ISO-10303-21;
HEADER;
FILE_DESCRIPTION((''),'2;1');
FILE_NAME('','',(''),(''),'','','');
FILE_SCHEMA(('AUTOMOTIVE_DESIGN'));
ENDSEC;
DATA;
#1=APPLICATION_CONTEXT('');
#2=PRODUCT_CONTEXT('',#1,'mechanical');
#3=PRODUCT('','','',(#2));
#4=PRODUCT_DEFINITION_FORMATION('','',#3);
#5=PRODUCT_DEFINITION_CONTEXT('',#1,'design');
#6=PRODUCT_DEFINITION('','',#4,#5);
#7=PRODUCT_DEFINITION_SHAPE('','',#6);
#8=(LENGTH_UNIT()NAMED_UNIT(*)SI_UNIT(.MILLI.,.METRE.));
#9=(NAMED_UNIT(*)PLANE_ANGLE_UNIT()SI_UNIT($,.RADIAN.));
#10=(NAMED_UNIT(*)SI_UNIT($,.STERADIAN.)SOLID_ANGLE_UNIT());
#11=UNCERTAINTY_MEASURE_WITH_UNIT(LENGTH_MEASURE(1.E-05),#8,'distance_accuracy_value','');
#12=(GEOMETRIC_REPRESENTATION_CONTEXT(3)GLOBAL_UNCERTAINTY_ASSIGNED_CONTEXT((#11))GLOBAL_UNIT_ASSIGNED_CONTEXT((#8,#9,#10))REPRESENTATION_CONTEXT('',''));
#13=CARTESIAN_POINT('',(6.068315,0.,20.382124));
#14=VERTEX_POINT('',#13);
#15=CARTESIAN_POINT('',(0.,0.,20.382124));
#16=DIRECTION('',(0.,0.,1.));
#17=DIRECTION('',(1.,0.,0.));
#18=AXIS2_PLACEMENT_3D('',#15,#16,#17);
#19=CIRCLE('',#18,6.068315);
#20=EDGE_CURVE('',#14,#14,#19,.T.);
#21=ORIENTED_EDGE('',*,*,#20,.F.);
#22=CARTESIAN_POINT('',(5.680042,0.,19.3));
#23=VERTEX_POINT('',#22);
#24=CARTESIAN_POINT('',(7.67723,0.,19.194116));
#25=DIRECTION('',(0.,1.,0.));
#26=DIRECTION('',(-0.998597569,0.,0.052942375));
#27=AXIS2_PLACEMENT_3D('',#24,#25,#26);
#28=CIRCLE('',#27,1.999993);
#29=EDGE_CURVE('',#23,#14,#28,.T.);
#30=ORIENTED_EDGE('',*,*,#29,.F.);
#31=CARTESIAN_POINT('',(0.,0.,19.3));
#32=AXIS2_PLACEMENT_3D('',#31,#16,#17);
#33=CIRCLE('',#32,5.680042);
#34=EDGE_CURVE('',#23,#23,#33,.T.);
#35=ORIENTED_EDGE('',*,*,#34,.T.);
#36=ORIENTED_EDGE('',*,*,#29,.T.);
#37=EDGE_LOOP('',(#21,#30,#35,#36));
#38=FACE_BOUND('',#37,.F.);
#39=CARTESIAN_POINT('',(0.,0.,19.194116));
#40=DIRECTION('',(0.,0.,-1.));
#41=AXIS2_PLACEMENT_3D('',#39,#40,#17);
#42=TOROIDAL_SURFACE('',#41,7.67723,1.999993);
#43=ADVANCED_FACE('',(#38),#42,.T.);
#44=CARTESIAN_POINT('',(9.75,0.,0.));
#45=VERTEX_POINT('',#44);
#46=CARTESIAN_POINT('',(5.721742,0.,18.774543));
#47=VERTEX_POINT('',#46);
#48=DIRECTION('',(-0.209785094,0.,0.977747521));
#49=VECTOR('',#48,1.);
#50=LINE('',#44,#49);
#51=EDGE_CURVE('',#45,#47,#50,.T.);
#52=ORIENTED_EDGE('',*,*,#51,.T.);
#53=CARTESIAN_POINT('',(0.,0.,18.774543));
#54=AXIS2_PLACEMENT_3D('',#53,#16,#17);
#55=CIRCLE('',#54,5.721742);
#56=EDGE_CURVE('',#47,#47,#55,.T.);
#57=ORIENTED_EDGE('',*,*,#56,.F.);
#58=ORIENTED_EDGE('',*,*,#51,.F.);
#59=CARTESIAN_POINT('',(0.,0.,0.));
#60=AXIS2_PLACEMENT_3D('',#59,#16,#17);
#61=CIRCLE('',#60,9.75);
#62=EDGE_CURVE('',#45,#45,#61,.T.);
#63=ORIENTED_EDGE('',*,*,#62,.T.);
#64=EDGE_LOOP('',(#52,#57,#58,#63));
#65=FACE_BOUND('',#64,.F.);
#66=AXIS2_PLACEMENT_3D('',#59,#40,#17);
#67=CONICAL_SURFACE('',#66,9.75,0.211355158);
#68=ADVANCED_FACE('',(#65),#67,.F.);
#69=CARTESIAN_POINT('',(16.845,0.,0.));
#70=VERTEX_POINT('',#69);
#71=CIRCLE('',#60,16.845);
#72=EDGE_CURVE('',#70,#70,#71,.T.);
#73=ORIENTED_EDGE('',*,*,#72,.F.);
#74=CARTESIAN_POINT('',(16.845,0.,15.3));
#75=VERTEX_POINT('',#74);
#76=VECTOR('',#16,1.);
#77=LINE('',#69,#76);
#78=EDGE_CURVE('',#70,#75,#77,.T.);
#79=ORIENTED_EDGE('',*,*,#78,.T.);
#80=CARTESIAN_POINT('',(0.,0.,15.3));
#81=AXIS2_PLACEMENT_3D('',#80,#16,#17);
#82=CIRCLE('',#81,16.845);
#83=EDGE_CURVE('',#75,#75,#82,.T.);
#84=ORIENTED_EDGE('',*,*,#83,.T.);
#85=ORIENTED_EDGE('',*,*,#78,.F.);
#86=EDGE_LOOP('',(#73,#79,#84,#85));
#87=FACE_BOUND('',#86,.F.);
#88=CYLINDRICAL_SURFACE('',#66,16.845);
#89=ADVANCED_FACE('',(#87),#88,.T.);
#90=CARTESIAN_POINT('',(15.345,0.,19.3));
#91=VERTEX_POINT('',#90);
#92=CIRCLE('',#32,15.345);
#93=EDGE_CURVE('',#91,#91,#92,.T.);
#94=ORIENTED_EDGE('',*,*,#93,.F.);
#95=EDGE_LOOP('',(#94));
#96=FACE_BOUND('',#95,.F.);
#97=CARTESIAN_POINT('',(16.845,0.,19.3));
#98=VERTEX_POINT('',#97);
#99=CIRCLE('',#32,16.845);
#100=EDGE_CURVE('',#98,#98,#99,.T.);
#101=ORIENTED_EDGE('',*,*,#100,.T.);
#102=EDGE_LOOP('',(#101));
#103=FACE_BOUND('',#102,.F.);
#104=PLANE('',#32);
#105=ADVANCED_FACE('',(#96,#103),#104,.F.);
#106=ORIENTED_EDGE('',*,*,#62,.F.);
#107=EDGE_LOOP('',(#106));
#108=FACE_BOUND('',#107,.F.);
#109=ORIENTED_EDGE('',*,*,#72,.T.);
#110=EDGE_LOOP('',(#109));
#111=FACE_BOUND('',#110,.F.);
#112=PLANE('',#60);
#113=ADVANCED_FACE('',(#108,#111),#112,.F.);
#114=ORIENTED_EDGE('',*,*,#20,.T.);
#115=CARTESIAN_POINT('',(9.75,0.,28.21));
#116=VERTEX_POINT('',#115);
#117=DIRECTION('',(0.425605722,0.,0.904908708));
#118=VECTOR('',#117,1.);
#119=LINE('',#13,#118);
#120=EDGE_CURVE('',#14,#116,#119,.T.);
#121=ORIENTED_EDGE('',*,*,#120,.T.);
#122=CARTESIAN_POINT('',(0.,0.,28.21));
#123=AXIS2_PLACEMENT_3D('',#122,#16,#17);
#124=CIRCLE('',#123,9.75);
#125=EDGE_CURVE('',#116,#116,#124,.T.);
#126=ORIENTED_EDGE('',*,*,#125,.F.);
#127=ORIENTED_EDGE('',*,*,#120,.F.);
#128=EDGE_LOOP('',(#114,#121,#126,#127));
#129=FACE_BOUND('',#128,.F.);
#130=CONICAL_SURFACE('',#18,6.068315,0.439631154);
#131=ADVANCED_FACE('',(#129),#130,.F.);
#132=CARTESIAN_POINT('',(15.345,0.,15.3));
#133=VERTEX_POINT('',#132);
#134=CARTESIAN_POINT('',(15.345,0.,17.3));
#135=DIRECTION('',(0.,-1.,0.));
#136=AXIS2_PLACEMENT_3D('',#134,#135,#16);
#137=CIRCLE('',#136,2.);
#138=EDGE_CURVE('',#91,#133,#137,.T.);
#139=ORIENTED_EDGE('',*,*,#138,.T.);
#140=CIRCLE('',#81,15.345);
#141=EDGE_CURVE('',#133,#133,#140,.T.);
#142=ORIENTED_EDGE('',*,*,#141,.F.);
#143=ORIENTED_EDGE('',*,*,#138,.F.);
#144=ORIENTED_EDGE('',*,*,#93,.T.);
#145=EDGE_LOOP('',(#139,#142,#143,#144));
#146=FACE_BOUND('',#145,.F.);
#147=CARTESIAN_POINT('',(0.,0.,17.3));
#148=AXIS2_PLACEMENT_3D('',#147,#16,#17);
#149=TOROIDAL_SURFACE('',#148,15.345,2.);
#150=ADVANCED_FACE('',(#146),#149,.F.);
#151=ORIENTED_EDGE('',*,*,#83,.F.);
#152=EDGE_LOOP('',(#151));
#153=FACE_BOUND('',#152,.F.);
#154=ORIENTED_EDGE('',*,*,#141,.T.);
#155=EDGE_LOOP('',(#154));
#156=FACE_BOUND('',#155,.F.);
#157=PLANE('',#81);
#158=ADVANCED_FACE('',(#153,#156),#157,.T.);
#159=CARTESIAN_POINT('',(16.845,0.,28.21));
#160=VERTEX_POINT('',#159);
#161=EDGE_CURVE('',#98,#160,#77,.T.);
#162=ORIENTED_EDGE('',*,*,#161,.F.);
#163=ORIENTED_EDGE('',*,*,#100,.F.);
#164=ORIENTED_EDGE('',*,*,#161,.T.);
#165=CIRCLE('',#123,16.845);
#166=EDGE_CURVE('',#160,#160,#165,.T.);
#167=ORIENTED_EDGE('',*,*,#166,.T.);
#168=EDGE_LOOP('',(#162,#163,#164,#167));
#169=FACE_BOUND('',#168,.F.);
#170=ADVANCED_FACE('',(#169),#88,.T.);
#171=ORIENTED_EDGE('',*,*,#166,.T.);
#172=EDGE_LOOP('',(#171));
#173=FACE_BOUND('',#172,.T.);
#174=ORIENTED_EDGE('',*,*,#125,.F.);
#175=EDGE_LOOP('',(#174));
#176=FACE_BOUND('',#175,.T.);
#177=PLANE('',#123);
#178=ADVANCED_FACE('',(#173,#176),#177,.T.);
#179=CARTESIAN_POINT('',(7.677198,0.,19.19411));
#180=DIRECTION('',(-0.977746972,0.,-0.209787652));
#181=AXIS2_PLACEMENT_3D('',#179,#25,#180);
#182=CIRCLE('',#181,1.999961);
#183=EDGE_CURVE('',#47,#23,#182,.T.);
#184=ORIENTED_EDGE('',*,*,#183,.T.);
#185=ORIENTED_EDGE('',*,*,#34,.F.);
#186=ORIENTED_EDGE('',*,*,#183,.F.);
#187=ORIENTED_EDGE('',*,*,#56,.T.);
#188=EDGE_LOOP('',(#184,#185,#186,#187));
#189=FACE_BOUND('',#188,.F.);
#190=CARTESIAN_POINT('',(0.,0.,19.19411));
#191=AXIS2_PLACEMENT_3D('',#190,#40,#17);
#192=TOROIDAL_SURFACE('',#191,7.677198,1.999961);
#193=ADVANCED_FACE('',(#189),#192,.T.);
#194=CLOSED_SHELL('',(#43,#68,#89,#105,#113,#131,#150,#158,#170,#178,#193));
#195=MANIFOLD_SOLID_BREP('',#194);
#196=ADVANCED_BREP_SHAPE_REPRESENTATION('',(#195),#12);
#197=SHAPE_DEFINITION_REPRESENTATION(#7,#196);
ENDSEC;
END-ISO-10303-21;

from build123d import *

# Parameters (mm, degrees)
F0_R     = 16.845
F0_R_2   = 9.75
F1_DEPTH = 28.21
F0_R_3   = 4.825
F2_DEPTH = 28.21


with BuildPart() as f1:
    # F0 (on Top) → F1 (new body)
    with BuildSketch(Plane.XY):
        Circle(F0_R)
        Circle(F0_R_2, mode=Mode.SUBTRACT)
    extrude(amount=F1_DEPTH)

    # F0 (on Top) → F2 (join)
    with BuildSketch(Plane.XY):
        Circle(F0_R_2)
        Circle(F0_R_3, mode=Mode.SUBTRACT)
    extrude(amount=F2_DEPTH)

    # F3 (on Front) → F4 (revolve, cut)
    with BuildSketch(Plane.XZ):
        with BuildLine():
            Line((15.345, 15.3), (16.845, 15.3))
            Line((16.845, 15.3), (16.845, 19.3))
            Line((16.845, 19.3), (15.345, 19.3))
            ThreePointArc((15.345, 19.3), (13.345, 17.3), (15.345, 15.3))
        make_face()
    revolve(axis=Axis((0, 0, 14.105), (0, 0, 1)), mode=Mode.SUBTRACT)

    # F5 (on Front) → F6 (revolve, cut)
    with BuildSketch(Plane.XZ):
        with BuildLine():
            ThreePointArc((5.680042, 19.3), (5.794747, 19.869563), (6.068315, 20.382124))
            Line((6.068315, 20.382124), (9.75, 28.21))
            Line((9.75, 28.21), (0, 28.21))
            Line((0, 28.21), (0, 19.3))
            Line((0, 19.3), (5.680042, 19.3))
        make_face()
        with BuildLine():
            ThreePointArc((5.721742, 18.774543), (5.683505, 19.035892), (5.680042, 19.3))
            Line((5.680042, 19.3), (0, 19.3))
            Line((0, 19.3), (0, 0))
            Line((0, 0), (9.75, 0))
            Line((9.75, 0), (5.721742, 18.774543))
        make_face()
    revolve(axis=Axis((0, 0, 14.105), (0, 0, 1)), mode=Mode.SUBTRACT)


solid = f1.part
